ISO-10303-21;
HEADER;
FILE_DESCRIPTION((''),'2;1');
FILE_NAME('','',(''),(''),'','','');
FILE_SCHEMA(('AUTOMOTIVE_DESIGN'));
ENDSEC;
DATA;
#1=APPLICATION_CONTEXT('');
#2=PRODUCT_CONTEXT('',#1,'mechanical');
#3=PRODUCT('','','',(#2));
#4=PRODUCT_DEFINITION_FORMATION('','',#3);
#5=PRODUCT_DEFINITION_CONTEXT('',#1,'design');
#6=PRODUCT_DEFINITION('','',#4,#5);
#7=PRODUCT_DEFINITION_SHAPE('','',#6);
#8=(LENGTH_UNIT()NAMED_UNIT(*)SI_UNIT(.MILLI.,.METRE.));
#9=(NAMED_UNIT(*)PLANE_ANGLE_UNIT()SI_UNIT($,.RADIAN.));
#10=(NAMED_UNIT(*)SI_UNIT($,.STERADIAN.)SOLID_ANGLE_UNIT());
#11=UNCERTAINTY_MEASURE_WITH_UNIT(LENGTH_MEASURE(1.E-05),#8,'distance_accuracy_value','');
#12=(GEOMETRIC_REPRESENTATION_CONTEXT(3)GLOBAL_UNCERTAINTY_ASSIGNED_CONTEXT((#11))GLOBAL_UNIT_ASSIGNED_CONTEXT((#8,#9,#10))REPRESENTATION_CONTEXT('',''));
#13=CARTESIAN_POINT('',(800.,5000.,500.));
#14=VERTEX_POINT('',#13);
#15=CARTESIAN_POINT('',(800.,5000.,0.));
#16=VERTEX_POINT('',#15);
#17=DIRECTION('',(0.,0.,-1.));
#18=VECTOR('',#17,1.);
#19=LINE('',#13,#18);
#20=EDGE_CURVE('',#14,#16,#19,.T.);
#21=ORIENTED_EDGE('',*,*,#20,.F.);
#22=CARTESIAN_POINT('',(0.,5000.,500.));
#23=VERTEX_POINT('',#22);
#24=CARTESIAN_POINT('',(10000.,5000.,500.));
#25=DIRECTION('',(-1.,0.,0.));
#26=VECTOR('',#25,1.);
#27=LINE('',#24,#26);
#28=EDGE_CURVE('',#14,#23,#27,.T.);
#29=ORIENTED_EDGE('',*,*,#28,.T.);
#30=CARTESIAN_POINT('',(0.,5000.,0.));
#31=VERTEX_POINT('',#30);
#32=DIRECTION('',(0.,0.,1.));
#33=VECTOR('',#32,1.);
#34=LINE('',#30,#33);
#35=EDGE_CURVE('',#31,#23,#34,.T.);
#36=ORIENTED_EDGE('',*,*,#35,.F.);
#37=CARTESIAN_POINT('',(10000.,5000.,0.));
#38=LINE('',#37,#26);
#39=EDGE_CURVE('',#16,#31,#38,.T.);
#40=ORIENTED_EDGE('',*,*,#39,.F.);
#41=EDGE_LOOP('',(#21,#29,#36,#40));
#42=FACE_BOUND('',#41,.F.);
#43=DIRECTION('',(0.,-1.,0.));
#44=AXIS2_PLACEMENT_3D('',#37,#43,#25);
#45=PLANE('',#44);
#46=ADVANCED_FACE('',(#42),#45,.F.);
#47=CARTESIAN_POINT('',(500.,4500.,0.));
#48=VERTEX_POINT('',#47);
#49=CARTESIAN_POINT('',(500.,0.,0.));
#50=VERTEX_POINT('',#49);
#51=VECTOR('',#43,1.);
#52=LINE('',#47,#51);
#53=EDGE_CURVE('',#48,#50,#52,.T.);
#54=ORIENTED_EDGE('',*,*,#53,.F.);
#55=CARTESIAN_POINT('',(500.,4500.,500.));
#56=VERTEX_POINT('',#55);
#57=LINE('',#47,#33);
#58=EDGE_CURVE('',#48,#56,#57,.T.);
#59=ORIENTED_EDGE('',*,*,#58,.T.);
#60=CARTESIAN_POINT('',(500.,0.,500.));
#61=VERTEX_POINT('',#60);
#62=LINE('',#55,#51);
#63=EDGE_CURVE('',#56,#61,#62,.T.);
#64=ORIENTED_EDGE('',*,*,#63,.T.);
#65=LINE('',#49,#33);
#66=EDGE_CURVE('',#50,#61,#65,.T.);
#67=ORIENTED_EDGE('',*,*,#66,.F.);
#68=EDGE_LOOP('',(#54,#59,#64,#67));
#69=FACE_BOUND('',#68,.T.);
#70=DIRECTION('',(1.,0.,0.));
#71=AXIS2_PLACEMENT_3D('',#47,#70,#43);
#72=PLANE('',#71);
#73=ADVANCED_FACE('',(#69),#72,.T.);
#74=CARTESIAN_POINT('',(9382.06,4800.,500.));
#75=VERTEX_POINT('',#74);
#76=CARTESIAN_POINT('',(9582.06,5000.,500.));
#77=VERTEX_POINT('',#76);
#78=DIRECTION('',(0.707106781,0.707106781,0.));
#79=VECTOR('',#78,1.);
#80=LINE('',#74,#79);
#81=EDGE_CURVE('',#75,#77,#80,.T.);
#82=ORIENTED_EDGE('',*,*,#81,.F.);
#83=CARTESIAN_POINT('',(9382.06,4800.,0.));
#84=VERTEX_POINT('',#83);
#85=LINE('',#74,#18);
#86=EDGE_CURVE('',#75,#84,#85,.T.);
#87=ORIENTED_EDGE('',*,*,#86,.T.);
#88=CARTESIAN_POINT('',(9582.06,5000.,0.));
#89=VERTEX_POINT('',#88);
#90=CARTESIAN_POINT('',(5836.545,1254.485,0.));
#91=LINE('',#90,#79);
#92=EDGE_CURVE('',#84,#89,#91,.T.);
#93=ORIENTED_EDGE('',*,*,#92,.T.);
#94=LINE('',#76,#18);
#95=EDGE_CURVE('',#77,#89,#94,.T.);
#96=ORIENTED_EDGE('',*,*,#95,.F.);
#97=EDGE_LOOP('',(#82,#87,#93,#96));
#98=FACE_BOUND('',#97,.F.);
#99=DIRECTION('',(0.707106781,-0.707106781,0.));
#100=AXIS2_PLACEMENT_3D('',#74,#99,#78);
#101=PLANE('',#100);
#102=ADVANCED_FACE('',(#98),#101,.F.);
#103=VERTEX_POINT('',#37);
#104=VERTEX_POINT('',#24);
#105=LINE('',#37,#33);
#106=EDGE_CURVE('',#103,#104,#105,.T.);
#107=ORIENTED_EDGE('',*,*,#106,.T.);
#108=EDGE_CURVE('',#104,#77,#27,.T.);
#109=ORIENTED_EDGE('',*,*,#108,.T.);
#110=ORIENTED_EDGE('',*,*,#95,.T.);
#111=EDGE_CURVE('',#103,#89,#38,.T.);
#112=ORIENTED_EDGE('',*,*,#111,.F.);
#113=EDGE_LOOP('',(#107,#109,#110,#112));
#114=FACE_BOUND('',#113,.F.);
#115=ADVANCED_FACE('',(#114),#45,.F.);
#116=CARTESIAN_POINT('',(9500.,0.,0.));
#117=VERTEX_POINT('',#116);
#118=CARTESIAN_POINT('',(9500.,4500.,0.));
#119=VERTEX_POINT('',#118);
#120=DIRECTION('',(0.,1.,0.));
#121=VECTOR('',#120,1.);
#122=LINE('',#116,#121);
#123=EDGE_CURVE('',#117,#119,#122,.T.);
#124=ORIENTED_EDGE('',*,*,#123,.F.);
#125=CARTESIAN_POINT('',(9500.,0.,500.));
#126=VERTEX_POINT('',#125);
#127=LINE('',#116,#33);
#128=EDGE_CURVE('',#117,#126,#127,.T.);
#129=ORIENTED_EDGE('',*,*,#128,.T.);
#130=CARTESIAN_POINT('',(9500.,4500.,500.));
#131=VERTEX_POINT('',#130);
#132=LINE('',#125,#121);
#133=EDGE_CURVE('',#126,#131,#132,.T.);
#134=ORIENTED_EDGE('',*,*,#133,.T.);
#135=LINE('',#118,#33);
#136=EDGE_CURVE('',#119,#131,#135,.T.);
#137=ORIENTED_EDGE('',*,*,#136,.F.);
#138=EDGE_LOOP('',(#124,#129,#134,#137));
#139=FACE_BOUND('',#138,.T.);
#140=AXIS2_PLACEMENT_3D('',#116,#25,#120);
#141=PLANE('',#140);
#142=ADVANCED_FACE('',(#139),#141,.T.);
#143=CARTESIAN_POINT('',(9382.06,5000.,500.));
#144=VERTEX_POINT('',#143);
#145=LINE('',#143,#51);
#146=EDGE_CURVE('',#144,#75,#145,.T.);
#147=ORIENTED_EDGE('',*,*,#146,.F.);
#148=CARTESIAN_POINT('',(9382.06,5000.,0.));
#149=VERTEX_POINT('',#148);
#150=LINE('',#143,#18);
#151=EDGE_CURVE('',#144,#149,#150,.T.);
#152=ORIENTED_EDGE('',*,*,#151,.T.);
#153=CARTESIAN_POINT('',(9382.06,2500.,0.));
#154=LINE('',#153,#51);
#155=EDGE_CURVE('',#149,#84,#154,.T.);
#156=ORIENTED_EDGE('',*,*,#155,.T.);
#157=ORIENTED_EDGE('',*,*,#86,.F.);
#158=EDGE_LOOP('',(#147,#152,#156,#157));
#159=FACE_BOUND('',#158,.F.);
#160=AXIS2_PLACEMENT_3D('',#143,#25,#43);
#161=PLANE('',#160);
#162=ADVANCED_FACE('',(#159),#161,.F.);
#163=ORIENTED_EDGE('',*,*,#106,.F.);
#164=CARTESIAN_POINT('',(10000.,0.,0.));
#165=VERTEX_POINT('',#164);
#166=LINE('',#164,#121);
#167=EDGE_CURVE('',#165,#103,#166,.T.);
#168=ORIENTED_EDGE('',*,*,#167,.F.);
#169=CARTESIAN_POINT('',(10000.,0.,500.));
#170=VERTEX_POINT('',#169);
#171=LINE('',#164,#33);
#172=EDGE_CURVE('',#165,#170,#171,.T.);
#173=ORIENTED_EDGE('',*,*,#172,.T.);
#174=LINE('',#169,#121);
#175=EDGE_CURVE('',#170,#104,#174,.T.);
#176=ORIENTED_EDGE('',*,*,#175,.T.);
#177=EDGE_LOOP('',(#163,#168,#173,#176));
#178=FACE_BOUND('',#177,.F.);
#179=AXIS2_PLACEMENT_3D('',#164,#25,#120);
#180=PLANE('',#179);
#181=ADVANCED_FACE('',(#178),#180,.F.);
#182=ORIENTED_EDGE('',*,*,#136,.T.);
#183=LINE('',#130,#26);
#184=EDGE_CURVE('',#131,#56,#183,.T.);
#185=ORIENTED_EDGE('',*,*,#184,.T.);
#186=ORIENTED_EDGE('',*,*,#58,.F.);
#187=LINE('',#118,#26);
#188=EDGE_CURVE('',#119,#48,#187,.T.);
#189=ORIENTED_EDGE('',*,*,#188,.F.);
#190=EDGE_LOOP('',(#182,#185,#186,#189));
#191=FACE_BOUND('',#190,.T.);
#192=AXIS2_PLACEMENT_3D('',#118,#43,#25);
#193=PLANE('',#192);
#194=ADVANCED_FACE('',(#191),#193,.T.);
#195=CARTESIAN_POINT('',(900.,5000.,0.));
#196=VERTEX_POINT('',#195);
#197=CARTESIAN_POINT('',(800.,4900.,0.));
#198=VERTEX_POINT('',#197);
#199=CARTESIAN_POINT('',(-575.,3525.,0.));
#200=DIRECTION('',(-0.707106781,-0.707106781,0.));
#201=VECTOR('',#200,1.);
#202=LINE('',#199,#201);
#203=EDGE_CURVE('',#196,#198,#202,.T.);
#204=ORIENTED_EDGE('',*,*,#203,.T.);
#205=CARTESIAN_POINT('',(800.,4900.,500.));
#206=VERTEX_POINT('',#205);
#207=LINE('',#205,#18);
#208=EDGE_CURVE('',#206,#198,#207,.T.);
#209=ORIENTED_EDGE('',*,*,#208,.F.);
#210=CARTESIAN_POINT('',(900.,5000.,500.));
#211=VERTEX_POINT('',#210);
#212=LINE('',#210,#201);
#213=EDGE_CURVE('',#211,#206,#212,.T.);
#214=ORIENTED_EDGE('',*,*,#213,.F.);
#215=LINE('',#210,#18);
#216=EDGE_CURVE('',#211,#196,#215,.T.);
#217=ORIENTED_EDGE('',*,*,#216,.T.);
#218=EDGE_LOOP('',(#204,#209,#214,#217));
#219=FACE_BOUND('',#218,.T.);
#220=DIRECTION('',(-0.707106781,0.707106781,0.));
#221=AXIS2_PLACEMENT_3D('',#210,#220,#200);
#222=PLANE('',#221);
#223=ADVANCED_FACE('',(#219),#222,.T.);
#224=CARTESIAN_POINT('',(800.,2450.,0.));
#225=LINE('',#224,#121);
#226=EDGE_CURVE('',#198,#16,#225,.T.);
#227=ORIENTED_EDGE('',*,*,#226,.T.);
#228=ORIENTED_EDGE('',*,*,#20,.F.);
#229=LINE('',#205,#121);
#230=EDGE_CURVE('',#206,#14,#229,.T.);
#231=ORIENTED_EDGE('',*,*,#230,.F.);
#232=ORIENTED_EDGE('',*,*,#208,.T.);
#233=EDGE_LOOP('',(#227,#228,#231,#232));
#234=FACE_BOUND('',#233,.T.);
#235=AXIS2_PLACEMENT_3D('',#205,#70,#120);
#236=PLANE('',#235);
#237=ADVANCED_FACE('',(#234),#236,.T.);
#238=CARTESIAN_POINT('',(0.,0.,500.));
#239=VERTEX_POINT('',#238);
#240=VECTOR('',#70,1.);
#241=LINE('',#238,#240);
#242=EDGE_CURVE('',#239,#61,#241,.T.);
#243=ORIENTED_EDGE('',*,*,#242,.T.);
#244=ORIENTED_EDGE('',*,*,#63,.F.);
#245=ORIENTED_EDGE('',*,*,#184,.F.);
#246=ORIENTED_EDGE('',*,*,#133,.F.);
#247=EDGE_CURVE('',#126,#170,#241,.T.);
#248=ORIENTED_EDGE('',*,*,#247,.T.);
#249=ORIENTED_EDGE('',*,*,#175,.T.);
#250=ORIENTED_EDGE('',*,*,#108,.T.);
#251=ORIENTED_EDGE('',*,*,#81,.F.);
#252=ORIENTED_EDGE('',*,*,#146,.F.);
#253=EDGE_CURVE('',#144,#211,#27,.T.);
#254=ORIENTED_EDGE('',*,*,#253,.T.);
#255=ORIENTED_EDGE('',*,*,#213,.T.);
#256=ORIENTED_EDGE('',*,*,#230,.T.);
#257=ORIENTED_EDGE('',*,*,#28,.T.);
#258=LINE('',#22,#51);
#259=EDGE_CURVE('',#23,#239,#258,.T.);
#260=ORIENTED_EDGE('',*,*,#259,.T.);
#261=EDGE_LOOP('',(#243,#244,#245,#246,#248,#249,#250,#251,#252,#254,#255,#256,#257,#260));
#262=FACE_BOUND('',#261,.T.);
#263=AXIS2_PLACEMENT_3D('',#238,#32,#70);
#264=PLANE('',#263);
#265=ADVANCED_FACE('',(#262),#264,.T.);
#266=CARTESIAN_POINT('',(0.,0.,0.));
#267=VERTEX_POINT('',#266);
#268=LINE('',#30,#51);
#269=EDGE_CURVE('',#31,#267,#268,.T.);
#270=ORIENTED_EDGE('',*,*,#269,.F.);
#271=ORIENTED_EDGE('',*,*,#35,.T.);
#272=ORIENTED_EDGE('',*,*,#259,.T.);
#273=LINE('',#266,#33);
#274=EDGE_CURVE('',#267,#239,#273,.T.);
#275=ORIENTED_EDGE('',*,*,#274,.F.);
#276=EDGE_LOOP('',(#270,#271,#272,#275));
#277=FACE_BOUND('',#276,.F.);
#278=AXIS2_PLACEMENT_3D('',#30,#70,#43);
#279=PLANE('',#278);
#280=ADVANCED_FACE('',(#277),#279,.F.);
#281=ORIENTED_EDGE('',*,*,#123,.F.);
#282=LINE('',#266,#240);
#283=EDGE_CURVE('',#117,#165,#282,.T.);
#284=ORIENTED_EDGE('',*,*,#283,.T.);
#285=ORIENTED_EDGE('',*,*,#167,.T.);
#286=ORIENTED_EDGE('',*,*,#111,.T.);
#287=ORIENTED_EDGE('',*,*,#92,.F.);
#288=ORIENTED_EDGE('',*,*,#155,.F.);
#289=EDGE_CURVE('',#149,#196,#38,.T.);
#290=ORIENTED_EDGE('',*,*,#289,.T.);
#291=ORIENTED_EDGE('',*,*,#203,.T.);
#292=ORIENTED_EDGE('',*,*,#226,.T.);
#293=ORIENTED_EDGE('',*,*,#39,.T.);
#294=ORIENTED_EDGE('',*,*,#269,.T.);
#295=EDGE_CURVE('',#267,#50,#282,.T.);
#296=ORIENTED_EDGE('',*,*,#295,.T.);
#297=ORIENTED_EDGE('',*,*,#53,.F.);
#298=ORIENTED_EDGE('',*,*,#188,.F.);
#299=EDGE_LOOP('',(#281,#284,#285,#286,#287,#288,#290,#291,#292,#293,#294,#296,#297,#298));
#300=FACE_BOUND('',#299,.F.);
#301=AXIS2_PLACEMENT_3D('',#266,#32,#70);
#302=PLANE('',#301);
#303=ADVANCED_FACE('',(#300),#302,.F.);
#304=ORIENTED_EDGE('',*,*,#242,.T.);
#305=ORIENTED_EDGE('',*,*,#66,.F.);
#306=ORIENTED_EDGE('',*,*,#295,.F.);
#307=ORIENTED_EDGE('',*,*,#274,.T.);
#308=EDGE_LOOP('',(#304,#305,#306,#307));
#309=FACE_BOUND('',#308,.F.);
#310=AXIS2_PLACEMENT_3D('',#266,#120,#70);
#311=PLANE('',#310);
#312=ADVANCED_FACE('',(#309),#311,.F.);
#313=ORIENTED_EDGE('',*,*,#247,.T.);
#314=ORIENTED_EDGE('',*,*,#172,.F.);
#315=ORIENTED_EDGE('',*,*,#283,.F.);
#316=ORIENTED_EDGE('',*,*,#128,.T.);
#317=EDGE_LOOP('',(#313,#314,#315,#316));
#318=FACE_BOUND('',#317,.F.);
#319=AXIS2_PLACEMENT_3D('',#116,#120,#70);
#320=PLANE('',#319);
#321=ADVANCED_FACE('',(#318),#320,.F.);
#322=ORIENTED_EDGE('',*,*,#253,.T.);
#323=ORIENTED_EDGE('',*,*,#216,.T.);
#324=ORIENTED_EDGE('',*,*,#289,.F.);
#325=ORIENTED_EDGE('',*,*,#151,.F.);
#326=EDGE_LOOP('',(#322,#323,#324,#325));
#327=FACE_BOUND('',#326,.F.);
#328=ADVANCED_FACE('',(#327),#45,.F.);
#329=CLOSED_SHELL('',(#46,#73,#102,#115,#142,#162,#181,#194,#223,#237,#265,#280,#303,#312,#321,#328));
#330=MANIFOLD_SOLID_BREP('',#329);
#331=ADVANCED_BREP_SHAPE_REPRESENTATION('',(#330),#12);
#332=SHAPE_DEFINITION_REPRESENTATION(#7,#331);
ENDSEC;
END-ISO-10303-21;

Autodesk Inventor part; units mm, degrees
ref_plane "YZ Plane" through (0, 0, 0) normal (1, 0, 0) x (0, 1, 0)
ref_plane "XZ Plane" through (0, 0, 0) normal (0, 1, 0) x (-1, 0, 0)
ref_plane "XY Plane" through (0, 0, 0) normal (0, 0, 1) x (1, 0, 0)
sketch "Náčrt1" plane through (0, 0, 0) normal (0, 0, 1) x (1, 0, 0)
  line L0 (0, 0) -> (10000, 0)
  line L1 (10000, 0) -> (10000, 5000)
  line L2 (10000, 5000) -> (0, 5000)
  line L3 (0, 5000) -> (0, 0)
  line L4 (500, 0) -> (9500, 0)
  line L5 (9500, 0) -> (9500, 4500)
  line L6 (9500, 4500) -> (500, 4500)
  line L7 (500, 4500) -> (500, 0)
  dimension "d2" = 10000
  dimension "d3" = 500
  dimension "d4" = 500
  dimension "d5" = 500
  dimension "d6" = 5000
extrude "Vysunutí1" add sketch "Náčrt1" along normal blind 500 contours L3 L2 L1 L0 L5 L6 L7
sketch "Náčrt3" plane through (0, 0, 500) normal (0, 0, 1) x (1, 0, 0)
  line L0 (10000, 5000) -> (0, 5000) projected
  line L1 (800, 5000) -> (900, 5000)
  line L2 (900, 5000) -> (800, 4900)
  line L3 (800, 4900) -> (800, 5000)
  line L4 (0, 5000) -> (0, 0) projected
  line L5 (9382.06, 5000) -> (9382.06, 4800)
  line L6 (9382.06, 4800) -> (9582.06, 5000)
  line L7 (9382.06, 5000) -> (9582.06, 5000)
  dimension "d15" = 100
  dimension "d16" = 800
  dimension "d19" = 45
  dimension "d20" = 8582.06
  dimension "d21" = 200
extrude "Vysunutí3" cut sketch "Náčrt3" against normal blind 587.25
equation "\"d4\" = d3"
equation "\"d5\" = d3"
properties part number "B0-ram"
